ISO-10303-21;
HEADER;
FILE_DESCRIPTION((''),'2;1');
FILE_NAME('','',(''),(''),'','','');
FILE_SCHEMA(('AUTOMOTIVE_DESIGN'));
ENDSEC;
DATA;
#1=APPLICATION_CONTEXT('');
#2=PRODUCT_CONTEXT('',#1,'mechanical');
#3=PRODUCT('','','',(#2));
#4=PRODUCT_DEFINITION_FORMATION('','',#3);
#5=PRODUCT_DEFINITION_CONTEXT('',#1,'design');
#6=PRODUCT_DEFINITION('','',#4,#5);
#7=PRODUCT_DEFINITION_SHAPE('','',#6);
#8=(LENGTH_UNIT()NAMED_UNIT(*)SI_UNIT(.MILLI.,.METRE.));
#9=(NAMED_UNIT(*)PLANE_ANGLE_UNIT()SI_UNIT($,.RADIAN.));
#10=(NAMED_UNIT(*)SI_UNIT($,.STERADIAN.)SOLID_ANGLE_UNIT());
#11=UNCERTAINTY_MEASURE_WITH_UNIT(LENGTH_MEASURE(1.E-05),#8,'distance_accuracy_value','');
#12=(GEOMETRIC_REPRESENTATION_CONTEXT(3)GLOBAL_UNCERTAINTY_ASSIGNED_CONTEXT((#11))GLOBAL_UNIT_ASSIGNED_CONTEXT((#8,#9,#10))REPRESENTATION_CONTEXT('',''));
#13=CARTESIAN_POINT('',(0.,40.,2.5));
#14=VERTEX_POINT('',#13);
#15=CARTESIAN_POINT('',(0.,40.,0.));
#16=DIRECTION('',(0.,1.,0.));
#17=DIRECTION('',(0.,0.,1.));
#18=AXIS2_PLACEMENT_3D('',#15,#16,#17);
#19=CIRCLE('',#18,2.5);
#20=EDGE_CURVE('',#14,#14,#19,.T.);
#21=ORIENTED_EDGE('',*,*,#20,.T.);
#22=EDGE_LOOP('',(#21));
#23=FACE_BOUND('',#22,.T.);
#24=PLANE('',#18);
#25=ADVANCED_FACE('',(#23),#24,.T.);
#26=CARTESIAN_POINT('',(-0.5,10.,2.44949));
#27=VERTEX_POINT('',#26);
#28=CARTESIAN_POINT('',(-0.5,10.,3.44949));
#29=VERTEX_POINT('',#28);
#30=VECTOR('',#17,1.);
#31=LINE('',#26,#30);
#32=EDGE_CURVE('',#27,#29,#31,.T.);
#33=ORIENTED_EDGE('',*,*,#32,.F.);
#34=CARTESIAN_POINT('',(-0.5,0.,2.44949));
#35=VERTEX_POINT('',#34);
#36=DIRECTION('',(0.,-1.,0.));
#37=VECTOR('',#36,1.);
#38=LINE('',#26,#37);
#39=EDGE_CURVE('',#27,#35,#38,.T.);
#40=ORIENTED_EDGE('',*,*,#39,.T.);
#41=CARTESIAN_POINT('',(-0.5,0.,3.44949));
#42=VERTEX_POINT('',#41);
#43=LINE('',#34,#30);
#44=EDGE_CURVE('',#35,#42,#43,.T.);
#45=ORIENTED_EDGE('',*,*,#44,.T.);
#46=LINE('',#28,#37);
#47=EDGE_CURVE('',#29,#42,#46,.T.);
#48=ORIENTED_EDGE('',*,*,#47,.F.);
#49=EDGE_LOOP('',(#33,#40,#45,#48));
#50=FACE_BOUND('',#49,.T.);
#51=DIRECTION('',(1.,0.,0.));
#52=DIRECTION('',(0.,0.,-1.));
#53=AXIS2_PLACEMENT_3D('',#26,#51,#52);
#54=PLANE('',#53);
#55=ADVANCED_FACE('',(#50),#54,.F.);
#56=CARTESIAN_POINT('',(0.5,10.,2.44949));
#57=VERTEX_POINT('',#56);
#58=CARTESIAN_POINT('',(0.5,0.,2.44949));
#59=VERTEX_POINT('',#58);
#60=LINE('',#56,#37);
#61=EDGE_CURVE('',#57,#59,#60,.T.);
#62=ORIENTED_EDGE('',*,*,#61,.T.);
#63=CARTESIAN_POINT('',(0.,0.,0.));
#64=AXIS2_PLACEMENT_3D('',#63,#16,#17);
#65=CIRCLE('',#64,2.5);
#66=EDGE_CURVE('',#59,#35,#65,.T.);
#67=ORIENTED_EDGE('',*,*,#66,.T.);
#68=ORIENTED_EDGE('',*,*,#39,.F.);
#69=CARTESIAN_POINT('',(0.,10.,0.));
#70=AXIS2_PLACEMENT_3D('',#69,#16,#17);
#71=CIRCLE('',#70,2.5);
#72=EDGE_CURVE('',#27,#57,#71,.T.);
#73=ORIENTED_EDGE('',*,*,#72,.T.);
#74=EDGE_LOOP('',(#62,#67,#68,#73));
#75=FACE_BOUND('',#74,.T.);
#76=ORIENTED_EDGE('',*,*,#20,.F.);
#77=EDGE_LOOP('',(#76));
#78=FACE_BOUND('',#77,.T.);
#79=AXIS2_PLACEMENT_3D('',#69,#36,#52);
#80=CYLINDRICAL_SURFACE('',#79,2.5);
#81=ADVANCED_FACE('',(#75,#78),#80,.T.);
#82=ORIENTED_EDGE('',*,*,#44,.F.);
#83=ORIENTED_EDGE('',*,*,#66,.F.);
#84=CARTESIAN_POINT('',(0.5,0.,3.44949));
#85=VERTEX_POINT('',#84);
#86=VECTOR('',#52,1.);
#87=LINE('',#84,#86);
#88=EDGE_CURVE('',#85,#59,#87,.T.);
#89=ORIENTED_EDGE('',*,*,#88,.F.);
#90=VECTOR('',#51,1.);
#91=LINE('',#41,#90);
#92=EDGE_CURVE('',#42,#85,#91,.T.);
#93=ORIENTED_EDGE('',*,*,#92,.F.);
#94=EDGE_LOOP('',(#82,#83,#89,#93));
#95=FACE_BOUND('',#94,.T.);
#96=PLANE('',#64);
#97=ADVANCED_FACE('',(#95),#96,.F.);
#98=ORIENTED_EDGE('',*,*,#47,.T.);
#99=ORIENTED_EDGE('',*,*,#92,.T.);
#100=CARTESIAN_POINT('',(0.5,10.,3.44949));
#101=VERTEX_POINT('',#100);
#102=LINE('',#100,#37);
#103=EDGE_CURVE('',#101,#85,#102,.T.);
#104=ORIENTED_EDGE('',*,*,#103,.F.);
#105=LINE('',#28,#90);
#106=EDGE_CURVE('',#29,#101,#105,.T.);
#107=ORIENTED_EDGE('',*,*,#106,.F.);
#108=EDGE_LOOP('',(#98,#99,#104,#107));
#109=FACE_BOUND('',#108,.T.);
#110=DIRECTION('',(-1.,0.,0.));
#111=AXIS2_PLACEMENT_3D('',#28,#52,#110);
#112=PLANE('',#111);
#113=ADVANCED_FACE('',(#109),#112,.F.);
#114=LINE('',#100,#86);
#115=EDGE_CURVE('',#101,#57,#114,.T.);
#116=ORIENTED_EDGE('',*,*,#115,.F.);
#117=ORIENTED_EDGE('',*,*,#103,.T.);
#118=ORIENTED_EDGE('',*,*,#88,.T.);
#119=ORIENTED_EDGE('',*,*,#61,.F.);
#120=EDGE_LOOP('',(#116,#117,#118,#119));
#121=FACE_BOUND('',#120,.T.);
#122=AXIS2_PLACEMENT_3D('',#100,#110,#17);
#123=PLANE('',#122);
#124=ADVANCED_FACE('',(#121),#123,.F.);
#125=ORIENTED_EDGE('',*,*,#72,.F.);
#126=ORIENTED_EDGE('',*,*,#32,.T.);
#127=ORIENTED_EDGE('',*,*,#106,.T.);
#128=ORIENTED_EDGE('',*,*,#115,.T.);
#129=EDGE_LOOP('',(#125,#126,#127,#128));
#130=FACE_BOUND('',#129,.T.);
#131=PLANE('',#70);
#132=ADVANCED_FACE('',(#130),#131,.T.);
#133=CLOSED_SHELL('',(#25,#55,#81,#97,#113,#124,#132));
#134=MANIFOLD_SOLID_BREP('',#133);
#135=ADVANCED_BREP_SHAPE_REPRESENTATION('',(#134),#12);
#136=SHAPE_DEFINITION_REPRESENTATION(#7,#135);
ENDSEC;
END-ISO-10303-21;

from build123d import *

# Parameters (mm, degrees)
BOSS_EXTRUDE1_DEPTH = 10
SKETCH2_R           = 2.5
BOSS_EXTRUDE2_DEPTH = 30


with BuildPart() as part:
    # Sketch1 → Boss-Extrude1 (new body)
    with BuildSketch(Plane(origin=(0, 0, 0), x_dir=(1, 0, 0), z_dir=(0, 1, 0))):
        with BuildLine():
            Line((-0.5, -2.449489743), (-0.5, -3.449489743))
            Line((-0.5, -3.449489743), (0.5, -3.449489743))
            Line((0.5, -3.449489743), (0.5, -2.449489743))
            ThreePointArc((0.5, -2.449489743), (0, 2.5), (-0.5, -2.449489743))
        make_face()
    extrude(amount=BOSS_EXTRUDE1_DEPTH)

    # Sketch2 → Boss-Extrude2 (add)
    with BuildSketch(Plane(origin=(0, 10, 0), x_dir=(1, 0, 0), z_dir=(0, 1, 0))):
        with Locations(Location((0, 0, 0), (0, 0, 258.463040967))):
            Circle(SKETCH2_R)
    extrude(amount=BOSS_EXTRUDE2_DEPTH)


solid = part.part
